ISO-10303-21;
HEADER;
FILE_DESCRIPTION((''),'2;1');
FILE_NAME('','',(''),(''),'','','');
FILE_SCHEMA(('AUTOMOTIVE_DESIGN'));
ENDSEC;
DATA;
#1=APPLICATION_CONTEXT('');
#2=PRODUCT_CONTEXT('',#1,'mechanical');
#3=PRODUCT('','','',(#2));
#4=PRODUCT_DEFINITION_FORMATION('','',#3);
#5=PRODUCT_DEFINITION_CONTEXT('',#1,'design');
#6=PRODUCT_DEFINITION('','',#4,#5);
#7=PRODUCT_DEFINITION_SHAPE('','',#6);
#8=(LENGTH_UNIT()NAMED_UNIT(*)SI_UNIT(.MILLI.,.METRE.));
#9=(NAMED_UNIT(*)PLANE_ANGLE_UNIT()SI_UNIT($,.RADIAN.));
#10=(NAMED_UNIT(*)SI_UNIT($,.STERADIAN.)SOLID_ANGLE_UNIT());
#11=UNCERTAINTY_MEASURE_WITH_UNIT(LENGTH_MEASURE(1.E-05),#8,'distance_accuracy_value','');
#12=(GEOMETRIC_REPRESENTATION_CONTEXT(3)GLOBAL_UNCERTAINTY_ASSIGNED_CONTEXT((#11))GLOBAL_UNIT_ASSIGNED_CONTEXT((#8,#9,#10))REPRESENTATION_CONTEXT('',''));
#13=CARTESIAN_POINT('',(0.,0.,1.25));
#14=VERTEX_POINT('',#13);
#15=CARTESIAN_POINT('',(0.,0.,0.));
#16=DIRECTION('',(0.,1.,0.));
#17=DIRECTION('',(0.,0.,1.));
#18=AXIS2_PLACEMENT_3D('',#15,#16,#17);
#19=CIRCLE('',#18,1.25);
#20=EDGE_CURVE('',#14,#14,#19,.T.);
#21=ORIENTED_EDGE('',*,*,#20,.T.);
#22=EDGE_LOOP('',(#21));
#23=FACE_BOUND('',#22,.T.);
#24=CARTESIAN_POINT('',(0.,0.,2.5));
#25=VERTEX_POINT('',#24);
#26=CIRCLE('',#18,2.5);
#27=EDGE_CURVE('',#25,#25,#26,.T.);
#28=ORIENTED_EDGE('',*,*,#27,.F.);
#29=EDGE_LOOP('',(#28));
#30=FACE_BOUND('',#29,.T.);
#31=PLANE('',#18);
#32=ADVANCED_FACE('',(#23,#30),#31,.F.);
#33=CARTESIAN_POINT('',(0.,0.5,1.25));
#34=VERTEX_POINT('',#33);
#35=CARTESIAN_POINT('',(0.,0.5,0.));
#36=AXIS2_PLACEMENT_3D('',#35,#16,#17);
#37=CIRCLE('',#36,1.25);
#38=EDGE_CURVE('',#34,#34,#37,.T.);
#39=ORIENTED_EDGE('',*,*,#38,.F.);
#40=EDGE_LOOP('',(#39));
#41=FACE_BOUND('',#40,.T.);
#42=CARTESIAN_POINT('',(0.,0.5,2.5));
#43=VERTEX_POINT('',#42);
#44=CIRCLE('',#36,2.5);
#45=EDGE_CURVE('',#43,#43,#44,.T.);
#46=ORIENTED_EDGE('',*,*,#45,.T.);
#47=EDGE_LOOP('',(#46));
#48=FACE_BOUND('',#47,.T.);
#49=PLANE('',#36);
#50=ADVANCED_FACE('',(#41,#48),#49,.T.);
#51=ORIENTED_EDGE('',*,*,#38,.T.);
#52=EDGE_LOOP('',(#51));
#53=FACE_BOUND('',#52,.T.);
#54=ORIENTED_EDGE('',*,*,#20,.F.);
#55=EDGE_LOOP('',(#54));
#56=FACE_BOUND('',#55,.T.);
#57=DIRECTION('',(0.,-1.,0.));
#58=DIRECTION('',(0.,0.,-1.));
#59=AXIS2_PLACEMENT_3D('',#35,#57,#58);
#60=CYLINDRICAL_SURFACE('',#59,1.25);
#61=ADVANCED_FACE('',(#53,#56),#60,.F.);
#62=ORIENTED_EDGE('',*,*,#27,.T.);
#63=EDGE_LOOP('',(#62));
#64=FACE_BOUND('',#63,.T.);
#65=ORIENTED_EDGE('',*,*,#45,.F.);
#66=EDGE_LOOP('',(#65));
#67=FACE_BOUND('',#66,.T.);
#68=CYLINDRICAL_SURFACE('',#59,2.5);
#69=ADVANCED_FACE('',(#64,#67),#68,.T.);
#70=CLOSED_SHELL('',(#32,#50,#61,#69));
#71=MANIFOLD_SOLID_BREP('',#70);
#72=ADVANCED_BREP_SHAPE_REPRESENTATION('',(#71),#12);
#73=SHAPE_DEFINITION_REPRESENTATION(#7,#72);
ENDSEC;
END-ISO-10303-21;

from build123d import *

# Parameters (mm, degrees)
ESQUISSE1_R        = 2.5
ESQUISSE1_R_2      = 1.25
BOSS_EXTRU_1_DEPTH = 0.5


with BuildPart() as part:
    # Esquisse1 → Boss.-Extru.1 (new body)
    with BuildSketch(Plane(origin=(0, 0, 0), x_dir=(1, 0, 0), z_dir=(0, 1, 0))):
        with Locations(Location((0, 0, 0), (0, 0, 270))):
            Circle(ESQUISSE1_R)
        with Locations(Location((0, 0, 0), (0, 0, 270))):
            Circle(ESQUISSE1_R_2, mode=Mode.SUBTRACT)
    extrude(amount=BOSS_EXTRU_1_DEPTH)


solid = part.part
